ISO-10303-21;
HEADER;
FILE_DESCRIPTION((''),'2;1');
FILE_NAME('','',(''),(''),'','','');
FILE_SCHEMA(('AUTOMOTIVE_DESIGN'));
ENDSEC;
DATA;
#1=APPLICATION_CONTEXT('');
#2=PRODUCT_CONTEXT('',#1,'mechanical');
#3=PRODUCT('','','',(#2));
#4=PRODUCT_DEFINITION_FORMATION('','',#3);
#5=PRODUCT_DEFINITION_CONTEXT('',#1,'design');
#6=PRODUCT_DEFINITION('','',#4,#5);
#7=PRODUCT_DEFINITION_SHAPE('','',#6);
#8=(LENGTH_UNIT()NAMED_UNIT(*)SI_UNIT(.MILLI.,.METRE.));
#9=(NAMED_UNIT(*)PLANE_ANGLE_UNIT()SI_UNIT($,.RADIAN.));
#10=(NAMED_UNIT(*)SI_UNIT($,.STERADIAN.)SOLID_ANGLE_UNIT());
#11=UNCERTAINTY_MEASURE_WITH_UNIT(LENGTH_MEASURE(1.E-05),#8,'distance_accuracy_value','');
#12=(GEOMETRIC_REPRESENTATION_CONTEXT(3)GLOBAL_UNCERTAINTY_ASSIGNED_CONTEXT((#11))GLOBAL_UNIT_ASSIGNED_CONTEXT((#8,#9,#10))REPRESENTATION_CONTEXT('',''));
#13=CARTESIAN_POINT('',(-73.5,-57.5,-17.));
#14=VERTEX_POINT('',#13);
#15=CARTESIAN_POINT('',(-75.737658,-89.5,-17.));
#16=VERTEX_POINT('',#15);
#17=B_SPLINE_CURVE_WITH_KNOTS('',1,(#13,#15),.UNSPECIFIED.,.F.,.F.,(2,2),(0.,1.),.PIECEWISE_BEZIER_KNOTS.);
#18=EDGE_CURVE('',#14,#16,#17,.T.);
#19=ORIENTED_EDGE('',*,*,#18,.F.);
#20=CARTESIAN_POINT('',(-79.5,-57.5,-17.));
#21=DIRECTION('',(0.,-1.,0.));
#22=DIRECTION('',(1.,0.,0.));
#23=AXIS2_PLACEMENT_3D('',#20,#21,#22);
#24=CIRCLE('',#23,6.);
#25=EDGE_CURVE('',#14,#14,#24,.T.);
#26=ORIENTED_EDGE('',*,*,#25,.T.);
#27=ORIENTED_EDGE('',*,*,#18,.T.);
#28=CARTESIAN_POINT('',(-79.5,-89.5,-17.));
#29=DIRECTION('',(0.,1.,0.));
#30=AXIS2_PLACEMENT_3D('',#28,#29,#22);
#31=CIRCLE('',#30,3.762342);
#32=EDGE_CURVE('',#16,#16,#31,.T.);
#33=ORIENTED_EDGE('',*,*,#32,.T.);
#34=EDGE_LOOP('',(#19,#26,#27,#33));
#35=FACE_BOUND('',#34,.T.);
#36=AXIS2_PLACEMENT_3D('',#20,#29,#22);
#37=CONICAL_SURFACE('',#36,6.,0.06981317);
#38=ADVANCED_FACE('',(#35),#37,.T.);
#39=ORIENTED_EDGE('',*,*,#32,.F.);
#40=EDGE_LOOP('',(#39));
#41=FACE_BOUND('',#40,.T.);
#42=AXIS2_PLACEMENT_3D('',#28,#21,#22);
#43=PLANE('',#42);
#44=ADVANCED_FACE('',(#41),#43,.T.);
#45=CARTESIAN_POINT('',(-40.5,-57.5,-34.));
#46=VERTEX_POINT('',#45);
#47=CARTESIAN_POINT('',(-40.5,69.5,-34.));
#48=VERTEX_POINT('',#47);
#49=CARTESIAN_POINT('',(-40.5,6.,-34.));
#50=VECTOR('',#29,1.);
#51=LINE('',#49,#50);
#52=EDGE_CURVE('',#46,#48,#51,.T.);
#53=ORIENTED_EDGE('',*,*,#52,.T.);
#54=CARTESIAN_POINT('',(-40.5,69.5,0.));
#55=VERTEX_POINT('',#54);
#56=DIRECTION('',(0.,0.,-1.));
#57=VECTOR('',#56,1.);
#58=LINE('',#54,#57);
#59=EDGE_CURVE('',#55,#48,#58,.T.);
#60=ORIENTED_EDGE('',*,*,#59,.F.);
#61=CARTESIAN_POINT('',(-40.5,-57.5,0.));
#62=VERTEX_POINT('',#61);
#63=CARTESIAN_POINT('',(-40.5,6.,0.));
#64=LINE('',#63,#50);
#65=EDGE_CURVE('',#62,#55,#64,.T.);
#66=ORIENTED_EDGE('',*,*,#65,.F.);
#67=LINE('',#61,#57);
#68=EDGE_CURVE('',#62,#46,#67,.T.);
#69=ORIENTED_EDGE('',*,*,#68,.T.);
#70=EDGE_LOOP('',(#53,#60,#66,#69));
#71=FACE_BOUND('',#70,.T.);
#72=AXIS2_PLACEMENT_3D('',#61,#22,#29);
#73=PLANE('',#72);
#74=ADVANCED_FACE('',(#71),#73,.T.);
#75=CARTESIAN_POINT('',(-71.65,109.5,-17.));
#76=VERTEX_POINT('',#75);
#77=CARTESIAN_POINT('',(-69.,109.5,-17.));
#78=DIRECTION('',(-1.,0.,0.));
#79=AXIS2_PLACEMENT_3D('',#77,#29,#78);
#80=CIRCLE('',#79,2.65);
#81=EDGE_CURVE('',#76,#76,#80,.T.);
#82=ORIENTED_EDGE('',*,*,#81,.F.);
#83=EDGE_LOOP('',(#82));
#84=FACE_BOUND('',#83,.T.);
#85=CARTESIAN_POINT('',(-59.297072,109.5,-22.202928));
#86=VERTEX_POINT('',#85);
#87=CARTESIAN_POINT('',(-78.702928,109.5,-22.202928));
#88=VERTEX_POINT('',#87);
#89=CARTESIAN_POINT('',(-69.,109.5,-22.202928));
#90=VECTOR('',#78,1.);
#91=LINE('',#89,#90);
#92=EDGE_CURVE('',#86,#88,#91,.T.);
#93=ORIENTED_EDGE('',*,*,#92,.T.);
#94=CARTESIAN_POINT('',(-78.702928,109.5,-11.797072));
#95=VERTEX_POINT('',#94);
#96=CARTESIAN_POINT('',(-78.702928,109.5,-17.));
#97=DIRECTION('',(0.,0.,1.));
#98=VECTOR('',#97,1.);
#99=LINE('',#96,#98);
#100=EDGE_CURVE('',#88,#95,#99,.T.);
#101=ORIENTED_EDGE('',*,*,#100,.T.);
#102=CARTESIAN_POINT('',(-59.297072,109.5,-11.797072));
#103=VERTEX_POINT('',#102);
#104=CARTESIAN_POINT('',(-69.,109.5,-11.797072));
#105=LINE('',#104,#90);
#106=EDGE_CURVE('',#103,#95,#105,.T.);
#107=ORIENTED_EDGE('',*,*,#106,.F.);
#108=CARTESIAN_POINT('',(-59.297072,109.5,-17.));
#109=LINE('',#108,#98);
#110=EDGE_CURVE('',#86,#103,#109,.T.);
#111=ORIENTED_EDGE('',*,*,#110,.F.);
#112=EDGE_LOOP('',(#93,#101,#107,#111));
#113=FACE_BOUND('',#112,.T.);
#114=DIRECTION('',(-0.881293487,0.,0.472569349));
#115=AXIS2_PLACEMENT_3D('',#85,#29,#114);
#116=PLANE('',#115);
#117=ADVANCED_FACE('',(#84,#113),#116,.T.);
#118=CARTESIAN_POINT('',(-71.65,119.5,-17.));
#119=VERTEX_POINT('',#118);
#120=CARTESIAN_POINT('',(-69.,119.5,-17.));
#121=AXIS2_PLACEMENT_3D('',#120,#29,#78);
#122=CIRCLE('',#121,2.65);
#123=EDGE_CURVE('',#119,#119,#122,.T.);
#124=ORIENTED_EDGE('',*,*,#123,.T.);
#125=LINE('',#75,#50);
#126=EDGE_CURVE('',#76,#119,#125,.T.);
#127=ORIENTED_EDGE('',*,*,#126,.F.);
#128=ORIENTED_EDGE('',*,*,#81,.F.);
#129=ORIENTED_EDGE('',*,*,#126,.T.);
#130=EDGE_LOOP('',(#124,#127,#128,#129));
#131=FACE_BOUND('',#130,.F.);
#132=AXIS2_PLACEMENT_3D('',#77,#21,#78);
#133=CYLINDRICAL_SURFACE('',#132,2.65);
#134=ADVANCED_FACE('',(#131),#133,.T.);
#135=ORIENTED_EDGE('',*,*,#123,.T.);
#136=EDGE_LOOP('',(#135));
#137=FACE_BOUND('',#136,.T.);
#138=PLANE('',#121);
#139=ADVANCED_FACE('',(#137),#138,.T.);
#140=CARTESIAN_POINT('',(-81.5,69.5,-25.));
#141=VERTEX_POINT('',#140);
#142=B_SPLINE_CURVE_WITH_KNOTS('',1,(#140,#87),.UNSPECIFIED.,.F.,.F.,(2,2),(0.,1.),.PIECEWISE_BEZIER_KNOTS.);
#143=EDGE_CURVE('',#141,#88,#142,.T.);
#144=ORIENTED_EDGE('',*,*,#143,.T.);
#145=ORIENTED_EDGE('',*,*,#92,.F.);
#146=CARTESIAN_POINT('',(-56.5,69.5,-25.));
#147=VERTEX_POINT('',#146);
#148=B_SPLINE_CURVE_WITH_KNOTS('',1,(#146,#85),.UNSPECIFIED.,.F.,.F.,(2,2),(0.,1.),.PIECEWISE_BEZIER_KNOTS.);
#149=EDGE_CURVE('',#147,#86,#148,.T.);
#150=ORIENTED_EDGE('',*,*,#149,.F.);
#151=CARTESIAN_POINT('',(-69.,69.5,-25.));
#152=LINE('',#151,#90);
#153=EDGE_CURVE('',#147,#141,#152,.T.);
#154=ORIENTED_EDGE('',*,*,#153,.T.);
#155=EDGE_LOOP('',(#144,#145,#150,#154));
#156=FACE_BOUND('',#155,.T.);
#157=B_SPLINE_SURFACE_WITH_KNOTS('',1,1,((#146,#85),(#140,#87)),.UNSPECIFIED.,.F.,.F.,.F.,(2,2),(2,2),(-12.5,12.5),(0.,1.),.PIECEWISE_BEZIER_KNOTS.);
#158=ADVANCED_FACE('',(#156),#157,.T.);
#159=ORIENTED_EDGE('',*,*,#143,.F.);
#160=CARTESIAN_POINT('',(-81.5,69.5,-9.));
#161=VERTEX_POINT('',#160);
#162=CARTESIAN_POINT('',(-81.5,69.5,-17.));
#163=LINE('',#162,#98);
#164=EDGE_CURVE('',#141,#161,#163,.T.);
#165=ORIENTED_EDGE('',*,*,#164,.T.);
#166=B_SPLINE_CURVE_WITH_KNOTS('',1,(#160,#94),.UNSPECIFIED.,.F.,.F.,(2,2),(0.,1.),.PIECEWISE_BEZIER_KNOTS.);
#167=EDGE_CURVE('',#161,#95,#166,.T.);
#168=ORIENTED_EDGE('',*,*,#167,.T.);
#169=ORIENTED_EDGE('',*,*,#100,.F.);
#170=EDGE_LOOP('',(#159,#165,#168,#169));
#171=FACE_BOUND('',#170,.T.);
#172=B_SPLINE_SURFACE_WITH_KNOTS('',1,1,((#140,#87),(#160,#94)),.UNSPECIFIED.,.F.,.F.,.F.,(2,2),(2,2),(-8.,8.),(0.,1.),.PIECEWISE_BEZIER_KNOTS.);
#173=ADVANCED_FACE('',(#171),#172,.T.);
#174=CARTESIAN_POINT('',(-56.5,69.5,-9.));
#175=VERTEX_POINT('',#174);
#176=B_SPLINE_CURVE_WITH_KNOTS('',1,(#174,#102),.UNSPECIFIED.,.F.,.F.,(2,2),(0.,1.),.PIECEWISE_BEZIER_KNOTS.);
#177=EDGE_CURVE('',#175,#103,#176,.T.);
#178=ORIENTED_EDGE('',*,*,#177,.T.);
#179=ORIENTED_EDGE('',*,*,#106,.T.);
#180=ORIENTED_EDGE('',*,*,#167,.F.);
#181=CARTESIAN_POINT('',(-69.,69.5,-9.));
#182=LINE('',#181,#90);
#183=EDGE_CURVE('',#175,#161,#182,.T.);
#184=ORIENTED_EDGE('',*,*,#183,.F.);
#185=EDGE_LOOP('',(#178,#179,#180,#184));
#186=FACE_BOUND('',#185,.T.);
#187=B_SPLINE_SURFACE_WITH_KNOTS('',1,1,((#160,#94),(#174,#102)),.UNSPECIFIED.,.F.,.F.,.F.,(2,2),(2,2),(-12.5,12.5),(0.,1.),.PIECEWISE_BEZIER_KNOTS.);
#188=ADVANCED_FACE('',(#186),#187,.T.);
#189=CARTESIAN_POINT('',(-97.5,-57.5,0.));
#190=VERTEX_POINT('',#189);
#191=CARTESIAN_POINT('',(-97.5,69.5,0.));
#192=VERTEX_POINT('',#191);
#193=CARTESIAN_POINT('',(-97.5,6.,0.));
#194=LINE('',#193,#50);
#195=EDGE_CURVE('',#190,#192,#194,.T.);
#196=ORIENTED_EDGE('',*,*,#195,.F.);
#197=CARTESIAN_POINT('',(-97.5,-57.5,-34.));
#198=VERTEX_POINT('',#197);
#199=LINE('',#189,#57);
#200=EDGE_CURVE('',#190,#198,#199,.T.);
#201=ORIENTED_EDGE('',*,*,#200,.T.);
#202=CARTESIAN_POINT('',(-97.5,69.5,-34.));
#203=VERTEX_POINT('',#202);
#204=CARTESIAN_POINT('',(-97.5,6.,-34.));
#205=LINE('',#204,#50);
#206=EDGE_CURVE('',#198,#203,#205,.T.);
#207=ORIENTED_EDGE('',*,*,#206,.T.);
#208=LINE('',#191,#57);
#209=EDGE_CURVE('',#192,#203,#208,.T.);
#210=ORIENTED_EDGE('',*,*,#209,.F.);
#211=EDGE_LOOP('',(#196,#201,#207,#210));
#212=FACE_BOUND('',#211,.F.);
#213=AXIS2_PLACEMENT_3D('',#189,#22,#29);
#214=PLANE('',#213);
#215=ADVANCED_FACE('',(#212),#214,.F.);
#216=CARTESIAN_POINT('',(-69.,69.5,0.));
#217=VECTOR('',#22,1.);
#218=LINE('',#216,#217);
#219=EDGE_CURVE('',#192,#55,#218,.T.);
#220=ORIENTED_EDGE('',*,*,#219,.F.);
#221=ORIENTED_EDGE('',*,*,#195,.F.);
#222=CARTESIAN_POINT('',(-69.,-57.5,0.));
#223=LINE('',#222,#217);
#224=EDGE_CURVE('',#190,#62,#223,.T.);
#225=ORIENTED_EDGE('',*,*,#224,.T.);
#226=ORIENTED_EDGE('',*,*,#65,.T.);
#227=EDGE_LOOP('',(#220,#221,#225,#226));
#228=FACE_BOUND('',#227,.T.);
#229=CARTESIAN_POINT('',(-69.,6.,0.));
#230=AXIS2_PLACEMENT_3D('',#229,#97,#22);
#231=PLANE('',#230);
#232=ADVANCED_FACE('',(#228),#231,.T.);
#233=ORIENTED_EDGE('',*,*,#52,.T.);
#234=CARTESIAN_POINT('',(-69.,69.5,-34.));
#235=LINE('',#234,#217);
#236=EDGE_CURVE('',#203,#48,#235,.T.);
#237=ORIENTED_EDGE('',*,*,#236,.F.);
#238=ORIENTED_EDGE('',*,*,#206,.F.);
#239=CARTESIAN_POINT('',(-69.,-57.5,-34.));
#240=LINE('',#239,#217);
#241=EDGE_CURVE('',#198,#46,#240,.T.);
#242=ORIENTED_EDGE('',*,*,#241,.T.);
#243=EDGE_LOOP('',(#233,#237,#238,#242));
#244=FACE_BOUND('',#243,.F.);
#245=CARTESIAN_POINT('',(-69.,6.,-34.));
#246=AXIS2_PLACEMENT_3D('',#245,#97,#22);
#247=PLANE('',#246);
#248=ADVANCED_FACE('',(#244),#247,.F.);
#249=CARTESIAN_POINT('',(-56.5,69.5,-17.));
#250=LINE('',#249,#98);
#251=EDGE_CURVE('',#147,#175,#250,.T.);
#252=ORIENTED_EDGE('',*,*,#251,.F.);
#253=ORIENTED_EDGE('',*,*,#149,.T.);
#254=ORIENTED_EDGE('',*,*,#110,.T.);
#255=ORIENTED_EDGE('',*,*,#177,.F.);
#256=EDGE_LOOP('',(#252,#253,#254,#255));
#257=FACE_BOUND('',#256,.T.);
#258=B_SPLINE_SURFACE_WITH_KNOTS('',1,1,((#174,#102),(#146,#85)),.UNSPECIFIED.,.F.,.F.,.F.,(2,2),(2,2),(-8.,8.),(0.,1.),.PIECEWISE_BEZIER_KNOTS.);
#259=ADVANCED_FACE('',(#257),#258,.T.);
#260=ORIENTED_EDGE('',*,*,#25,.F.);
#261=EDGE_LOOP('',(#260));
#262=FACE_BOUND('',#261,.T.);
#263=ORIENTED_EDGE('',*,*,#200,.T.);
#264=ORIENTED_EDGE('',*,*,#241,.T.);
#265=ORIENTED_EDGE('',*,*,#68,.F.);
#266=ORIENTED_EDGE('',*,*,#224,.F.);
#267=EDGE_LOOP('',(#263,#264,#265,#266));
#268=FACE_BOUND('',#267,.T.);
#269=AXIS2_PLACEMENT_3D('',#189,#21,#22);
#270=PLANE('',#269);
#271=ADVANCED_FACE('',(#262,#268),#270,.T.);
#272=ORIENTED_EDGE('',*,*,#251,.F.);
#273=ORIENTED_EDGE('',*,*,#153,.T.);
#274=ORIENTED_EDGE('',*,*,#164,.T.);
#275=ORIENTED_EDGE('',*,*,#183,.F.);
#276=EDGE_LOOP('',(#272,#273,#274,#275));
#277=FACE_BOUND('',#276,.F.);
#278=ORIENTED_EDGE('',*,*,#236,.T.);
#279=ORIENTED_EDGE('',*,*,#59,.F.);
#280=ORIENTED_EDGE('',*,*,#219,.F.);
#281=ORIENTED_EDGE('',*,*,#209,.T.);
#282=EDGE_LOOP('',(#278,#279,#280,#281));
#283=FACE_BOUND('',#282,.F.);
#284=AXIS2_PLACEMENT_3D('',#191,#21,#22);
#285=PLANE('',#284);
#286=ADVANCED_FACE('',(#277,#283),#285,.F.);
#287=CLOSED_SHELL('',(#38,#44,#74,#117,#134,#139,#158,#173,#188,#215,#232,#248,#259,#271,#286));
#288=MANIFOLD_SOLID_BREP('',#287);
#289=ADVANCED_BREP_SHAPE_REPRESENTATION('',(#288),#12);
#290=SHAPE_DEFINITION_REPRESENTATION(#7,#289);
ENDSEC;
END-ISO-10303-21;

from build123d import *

# Parameters (mm, degrees)
SKETCH004_W  = 57
SKETCH004_H  = 127
PAD002_DEPTH = 34
SKETCH005_W  = 25
SKETCH005_H  = 16
PAD003_DEPTH = 40
PAD003_TAPER = 4
SKETCH006_R  = 2.65
PAD004_DEPTH = 10
SKETCH007_R  = 6
PAD005_DEPTH = 32
PAD005_TAPER = 4


with BuildPart() as part:
    # Sketch004 → Pad002 (new body)
    with BuildSketch(Plane.XY):
        Rectangle(SKETCH004_W, SKETCH004_H)
    extrude(amount=-PAD002_DEPTH)

    # Sketch005 (on Face1 of Pad002) → Pad003 (join)
    with BuildSketch(Plane(origin=(0, 63.5, 0), x_dir=(-1, 0, 0), z_dir=(0, 1, 0))):
        with Locations((0, -17)):
            Rectangle(SKETCH005_W, SKETCH005_H)
    extrude(amount=PAD003_DEPTH, taper=PAD003_TAPER)

    # Sketch006 (on Face11 of Pad003) → Pad004 (join)
    with BuildSketch(Plane(origin=(0, 103.5, 0), x_dir=(-1, 0, 0), z_dir=(0, 1, 0))):
        with Locations((0, -17)):
            Circle(SKETCH006_R)
    extrude(amount=PAD004_DEPTH)

    # Sketch007 (on Face10 of Pad004) → Pad005 (join)
    with BuildSketch(Plane.XZ.offset(63.5)):
        with Locations((-10.5, -17)):
            Circle(SKETCH007_R)
    extrude(amount=PAD005_DEPTH, taper=PAD005_TAPER)


with BuildPart() as part_1:
    # Body002 placement: moved
    add(part.part.moved(Location((63, 6, 0))))


with BuildPart() as part_2:
    # Body003 placement: moved
    add(part_1.part.moved(Location((-132, 0, 0))))


solid = part_2.part
